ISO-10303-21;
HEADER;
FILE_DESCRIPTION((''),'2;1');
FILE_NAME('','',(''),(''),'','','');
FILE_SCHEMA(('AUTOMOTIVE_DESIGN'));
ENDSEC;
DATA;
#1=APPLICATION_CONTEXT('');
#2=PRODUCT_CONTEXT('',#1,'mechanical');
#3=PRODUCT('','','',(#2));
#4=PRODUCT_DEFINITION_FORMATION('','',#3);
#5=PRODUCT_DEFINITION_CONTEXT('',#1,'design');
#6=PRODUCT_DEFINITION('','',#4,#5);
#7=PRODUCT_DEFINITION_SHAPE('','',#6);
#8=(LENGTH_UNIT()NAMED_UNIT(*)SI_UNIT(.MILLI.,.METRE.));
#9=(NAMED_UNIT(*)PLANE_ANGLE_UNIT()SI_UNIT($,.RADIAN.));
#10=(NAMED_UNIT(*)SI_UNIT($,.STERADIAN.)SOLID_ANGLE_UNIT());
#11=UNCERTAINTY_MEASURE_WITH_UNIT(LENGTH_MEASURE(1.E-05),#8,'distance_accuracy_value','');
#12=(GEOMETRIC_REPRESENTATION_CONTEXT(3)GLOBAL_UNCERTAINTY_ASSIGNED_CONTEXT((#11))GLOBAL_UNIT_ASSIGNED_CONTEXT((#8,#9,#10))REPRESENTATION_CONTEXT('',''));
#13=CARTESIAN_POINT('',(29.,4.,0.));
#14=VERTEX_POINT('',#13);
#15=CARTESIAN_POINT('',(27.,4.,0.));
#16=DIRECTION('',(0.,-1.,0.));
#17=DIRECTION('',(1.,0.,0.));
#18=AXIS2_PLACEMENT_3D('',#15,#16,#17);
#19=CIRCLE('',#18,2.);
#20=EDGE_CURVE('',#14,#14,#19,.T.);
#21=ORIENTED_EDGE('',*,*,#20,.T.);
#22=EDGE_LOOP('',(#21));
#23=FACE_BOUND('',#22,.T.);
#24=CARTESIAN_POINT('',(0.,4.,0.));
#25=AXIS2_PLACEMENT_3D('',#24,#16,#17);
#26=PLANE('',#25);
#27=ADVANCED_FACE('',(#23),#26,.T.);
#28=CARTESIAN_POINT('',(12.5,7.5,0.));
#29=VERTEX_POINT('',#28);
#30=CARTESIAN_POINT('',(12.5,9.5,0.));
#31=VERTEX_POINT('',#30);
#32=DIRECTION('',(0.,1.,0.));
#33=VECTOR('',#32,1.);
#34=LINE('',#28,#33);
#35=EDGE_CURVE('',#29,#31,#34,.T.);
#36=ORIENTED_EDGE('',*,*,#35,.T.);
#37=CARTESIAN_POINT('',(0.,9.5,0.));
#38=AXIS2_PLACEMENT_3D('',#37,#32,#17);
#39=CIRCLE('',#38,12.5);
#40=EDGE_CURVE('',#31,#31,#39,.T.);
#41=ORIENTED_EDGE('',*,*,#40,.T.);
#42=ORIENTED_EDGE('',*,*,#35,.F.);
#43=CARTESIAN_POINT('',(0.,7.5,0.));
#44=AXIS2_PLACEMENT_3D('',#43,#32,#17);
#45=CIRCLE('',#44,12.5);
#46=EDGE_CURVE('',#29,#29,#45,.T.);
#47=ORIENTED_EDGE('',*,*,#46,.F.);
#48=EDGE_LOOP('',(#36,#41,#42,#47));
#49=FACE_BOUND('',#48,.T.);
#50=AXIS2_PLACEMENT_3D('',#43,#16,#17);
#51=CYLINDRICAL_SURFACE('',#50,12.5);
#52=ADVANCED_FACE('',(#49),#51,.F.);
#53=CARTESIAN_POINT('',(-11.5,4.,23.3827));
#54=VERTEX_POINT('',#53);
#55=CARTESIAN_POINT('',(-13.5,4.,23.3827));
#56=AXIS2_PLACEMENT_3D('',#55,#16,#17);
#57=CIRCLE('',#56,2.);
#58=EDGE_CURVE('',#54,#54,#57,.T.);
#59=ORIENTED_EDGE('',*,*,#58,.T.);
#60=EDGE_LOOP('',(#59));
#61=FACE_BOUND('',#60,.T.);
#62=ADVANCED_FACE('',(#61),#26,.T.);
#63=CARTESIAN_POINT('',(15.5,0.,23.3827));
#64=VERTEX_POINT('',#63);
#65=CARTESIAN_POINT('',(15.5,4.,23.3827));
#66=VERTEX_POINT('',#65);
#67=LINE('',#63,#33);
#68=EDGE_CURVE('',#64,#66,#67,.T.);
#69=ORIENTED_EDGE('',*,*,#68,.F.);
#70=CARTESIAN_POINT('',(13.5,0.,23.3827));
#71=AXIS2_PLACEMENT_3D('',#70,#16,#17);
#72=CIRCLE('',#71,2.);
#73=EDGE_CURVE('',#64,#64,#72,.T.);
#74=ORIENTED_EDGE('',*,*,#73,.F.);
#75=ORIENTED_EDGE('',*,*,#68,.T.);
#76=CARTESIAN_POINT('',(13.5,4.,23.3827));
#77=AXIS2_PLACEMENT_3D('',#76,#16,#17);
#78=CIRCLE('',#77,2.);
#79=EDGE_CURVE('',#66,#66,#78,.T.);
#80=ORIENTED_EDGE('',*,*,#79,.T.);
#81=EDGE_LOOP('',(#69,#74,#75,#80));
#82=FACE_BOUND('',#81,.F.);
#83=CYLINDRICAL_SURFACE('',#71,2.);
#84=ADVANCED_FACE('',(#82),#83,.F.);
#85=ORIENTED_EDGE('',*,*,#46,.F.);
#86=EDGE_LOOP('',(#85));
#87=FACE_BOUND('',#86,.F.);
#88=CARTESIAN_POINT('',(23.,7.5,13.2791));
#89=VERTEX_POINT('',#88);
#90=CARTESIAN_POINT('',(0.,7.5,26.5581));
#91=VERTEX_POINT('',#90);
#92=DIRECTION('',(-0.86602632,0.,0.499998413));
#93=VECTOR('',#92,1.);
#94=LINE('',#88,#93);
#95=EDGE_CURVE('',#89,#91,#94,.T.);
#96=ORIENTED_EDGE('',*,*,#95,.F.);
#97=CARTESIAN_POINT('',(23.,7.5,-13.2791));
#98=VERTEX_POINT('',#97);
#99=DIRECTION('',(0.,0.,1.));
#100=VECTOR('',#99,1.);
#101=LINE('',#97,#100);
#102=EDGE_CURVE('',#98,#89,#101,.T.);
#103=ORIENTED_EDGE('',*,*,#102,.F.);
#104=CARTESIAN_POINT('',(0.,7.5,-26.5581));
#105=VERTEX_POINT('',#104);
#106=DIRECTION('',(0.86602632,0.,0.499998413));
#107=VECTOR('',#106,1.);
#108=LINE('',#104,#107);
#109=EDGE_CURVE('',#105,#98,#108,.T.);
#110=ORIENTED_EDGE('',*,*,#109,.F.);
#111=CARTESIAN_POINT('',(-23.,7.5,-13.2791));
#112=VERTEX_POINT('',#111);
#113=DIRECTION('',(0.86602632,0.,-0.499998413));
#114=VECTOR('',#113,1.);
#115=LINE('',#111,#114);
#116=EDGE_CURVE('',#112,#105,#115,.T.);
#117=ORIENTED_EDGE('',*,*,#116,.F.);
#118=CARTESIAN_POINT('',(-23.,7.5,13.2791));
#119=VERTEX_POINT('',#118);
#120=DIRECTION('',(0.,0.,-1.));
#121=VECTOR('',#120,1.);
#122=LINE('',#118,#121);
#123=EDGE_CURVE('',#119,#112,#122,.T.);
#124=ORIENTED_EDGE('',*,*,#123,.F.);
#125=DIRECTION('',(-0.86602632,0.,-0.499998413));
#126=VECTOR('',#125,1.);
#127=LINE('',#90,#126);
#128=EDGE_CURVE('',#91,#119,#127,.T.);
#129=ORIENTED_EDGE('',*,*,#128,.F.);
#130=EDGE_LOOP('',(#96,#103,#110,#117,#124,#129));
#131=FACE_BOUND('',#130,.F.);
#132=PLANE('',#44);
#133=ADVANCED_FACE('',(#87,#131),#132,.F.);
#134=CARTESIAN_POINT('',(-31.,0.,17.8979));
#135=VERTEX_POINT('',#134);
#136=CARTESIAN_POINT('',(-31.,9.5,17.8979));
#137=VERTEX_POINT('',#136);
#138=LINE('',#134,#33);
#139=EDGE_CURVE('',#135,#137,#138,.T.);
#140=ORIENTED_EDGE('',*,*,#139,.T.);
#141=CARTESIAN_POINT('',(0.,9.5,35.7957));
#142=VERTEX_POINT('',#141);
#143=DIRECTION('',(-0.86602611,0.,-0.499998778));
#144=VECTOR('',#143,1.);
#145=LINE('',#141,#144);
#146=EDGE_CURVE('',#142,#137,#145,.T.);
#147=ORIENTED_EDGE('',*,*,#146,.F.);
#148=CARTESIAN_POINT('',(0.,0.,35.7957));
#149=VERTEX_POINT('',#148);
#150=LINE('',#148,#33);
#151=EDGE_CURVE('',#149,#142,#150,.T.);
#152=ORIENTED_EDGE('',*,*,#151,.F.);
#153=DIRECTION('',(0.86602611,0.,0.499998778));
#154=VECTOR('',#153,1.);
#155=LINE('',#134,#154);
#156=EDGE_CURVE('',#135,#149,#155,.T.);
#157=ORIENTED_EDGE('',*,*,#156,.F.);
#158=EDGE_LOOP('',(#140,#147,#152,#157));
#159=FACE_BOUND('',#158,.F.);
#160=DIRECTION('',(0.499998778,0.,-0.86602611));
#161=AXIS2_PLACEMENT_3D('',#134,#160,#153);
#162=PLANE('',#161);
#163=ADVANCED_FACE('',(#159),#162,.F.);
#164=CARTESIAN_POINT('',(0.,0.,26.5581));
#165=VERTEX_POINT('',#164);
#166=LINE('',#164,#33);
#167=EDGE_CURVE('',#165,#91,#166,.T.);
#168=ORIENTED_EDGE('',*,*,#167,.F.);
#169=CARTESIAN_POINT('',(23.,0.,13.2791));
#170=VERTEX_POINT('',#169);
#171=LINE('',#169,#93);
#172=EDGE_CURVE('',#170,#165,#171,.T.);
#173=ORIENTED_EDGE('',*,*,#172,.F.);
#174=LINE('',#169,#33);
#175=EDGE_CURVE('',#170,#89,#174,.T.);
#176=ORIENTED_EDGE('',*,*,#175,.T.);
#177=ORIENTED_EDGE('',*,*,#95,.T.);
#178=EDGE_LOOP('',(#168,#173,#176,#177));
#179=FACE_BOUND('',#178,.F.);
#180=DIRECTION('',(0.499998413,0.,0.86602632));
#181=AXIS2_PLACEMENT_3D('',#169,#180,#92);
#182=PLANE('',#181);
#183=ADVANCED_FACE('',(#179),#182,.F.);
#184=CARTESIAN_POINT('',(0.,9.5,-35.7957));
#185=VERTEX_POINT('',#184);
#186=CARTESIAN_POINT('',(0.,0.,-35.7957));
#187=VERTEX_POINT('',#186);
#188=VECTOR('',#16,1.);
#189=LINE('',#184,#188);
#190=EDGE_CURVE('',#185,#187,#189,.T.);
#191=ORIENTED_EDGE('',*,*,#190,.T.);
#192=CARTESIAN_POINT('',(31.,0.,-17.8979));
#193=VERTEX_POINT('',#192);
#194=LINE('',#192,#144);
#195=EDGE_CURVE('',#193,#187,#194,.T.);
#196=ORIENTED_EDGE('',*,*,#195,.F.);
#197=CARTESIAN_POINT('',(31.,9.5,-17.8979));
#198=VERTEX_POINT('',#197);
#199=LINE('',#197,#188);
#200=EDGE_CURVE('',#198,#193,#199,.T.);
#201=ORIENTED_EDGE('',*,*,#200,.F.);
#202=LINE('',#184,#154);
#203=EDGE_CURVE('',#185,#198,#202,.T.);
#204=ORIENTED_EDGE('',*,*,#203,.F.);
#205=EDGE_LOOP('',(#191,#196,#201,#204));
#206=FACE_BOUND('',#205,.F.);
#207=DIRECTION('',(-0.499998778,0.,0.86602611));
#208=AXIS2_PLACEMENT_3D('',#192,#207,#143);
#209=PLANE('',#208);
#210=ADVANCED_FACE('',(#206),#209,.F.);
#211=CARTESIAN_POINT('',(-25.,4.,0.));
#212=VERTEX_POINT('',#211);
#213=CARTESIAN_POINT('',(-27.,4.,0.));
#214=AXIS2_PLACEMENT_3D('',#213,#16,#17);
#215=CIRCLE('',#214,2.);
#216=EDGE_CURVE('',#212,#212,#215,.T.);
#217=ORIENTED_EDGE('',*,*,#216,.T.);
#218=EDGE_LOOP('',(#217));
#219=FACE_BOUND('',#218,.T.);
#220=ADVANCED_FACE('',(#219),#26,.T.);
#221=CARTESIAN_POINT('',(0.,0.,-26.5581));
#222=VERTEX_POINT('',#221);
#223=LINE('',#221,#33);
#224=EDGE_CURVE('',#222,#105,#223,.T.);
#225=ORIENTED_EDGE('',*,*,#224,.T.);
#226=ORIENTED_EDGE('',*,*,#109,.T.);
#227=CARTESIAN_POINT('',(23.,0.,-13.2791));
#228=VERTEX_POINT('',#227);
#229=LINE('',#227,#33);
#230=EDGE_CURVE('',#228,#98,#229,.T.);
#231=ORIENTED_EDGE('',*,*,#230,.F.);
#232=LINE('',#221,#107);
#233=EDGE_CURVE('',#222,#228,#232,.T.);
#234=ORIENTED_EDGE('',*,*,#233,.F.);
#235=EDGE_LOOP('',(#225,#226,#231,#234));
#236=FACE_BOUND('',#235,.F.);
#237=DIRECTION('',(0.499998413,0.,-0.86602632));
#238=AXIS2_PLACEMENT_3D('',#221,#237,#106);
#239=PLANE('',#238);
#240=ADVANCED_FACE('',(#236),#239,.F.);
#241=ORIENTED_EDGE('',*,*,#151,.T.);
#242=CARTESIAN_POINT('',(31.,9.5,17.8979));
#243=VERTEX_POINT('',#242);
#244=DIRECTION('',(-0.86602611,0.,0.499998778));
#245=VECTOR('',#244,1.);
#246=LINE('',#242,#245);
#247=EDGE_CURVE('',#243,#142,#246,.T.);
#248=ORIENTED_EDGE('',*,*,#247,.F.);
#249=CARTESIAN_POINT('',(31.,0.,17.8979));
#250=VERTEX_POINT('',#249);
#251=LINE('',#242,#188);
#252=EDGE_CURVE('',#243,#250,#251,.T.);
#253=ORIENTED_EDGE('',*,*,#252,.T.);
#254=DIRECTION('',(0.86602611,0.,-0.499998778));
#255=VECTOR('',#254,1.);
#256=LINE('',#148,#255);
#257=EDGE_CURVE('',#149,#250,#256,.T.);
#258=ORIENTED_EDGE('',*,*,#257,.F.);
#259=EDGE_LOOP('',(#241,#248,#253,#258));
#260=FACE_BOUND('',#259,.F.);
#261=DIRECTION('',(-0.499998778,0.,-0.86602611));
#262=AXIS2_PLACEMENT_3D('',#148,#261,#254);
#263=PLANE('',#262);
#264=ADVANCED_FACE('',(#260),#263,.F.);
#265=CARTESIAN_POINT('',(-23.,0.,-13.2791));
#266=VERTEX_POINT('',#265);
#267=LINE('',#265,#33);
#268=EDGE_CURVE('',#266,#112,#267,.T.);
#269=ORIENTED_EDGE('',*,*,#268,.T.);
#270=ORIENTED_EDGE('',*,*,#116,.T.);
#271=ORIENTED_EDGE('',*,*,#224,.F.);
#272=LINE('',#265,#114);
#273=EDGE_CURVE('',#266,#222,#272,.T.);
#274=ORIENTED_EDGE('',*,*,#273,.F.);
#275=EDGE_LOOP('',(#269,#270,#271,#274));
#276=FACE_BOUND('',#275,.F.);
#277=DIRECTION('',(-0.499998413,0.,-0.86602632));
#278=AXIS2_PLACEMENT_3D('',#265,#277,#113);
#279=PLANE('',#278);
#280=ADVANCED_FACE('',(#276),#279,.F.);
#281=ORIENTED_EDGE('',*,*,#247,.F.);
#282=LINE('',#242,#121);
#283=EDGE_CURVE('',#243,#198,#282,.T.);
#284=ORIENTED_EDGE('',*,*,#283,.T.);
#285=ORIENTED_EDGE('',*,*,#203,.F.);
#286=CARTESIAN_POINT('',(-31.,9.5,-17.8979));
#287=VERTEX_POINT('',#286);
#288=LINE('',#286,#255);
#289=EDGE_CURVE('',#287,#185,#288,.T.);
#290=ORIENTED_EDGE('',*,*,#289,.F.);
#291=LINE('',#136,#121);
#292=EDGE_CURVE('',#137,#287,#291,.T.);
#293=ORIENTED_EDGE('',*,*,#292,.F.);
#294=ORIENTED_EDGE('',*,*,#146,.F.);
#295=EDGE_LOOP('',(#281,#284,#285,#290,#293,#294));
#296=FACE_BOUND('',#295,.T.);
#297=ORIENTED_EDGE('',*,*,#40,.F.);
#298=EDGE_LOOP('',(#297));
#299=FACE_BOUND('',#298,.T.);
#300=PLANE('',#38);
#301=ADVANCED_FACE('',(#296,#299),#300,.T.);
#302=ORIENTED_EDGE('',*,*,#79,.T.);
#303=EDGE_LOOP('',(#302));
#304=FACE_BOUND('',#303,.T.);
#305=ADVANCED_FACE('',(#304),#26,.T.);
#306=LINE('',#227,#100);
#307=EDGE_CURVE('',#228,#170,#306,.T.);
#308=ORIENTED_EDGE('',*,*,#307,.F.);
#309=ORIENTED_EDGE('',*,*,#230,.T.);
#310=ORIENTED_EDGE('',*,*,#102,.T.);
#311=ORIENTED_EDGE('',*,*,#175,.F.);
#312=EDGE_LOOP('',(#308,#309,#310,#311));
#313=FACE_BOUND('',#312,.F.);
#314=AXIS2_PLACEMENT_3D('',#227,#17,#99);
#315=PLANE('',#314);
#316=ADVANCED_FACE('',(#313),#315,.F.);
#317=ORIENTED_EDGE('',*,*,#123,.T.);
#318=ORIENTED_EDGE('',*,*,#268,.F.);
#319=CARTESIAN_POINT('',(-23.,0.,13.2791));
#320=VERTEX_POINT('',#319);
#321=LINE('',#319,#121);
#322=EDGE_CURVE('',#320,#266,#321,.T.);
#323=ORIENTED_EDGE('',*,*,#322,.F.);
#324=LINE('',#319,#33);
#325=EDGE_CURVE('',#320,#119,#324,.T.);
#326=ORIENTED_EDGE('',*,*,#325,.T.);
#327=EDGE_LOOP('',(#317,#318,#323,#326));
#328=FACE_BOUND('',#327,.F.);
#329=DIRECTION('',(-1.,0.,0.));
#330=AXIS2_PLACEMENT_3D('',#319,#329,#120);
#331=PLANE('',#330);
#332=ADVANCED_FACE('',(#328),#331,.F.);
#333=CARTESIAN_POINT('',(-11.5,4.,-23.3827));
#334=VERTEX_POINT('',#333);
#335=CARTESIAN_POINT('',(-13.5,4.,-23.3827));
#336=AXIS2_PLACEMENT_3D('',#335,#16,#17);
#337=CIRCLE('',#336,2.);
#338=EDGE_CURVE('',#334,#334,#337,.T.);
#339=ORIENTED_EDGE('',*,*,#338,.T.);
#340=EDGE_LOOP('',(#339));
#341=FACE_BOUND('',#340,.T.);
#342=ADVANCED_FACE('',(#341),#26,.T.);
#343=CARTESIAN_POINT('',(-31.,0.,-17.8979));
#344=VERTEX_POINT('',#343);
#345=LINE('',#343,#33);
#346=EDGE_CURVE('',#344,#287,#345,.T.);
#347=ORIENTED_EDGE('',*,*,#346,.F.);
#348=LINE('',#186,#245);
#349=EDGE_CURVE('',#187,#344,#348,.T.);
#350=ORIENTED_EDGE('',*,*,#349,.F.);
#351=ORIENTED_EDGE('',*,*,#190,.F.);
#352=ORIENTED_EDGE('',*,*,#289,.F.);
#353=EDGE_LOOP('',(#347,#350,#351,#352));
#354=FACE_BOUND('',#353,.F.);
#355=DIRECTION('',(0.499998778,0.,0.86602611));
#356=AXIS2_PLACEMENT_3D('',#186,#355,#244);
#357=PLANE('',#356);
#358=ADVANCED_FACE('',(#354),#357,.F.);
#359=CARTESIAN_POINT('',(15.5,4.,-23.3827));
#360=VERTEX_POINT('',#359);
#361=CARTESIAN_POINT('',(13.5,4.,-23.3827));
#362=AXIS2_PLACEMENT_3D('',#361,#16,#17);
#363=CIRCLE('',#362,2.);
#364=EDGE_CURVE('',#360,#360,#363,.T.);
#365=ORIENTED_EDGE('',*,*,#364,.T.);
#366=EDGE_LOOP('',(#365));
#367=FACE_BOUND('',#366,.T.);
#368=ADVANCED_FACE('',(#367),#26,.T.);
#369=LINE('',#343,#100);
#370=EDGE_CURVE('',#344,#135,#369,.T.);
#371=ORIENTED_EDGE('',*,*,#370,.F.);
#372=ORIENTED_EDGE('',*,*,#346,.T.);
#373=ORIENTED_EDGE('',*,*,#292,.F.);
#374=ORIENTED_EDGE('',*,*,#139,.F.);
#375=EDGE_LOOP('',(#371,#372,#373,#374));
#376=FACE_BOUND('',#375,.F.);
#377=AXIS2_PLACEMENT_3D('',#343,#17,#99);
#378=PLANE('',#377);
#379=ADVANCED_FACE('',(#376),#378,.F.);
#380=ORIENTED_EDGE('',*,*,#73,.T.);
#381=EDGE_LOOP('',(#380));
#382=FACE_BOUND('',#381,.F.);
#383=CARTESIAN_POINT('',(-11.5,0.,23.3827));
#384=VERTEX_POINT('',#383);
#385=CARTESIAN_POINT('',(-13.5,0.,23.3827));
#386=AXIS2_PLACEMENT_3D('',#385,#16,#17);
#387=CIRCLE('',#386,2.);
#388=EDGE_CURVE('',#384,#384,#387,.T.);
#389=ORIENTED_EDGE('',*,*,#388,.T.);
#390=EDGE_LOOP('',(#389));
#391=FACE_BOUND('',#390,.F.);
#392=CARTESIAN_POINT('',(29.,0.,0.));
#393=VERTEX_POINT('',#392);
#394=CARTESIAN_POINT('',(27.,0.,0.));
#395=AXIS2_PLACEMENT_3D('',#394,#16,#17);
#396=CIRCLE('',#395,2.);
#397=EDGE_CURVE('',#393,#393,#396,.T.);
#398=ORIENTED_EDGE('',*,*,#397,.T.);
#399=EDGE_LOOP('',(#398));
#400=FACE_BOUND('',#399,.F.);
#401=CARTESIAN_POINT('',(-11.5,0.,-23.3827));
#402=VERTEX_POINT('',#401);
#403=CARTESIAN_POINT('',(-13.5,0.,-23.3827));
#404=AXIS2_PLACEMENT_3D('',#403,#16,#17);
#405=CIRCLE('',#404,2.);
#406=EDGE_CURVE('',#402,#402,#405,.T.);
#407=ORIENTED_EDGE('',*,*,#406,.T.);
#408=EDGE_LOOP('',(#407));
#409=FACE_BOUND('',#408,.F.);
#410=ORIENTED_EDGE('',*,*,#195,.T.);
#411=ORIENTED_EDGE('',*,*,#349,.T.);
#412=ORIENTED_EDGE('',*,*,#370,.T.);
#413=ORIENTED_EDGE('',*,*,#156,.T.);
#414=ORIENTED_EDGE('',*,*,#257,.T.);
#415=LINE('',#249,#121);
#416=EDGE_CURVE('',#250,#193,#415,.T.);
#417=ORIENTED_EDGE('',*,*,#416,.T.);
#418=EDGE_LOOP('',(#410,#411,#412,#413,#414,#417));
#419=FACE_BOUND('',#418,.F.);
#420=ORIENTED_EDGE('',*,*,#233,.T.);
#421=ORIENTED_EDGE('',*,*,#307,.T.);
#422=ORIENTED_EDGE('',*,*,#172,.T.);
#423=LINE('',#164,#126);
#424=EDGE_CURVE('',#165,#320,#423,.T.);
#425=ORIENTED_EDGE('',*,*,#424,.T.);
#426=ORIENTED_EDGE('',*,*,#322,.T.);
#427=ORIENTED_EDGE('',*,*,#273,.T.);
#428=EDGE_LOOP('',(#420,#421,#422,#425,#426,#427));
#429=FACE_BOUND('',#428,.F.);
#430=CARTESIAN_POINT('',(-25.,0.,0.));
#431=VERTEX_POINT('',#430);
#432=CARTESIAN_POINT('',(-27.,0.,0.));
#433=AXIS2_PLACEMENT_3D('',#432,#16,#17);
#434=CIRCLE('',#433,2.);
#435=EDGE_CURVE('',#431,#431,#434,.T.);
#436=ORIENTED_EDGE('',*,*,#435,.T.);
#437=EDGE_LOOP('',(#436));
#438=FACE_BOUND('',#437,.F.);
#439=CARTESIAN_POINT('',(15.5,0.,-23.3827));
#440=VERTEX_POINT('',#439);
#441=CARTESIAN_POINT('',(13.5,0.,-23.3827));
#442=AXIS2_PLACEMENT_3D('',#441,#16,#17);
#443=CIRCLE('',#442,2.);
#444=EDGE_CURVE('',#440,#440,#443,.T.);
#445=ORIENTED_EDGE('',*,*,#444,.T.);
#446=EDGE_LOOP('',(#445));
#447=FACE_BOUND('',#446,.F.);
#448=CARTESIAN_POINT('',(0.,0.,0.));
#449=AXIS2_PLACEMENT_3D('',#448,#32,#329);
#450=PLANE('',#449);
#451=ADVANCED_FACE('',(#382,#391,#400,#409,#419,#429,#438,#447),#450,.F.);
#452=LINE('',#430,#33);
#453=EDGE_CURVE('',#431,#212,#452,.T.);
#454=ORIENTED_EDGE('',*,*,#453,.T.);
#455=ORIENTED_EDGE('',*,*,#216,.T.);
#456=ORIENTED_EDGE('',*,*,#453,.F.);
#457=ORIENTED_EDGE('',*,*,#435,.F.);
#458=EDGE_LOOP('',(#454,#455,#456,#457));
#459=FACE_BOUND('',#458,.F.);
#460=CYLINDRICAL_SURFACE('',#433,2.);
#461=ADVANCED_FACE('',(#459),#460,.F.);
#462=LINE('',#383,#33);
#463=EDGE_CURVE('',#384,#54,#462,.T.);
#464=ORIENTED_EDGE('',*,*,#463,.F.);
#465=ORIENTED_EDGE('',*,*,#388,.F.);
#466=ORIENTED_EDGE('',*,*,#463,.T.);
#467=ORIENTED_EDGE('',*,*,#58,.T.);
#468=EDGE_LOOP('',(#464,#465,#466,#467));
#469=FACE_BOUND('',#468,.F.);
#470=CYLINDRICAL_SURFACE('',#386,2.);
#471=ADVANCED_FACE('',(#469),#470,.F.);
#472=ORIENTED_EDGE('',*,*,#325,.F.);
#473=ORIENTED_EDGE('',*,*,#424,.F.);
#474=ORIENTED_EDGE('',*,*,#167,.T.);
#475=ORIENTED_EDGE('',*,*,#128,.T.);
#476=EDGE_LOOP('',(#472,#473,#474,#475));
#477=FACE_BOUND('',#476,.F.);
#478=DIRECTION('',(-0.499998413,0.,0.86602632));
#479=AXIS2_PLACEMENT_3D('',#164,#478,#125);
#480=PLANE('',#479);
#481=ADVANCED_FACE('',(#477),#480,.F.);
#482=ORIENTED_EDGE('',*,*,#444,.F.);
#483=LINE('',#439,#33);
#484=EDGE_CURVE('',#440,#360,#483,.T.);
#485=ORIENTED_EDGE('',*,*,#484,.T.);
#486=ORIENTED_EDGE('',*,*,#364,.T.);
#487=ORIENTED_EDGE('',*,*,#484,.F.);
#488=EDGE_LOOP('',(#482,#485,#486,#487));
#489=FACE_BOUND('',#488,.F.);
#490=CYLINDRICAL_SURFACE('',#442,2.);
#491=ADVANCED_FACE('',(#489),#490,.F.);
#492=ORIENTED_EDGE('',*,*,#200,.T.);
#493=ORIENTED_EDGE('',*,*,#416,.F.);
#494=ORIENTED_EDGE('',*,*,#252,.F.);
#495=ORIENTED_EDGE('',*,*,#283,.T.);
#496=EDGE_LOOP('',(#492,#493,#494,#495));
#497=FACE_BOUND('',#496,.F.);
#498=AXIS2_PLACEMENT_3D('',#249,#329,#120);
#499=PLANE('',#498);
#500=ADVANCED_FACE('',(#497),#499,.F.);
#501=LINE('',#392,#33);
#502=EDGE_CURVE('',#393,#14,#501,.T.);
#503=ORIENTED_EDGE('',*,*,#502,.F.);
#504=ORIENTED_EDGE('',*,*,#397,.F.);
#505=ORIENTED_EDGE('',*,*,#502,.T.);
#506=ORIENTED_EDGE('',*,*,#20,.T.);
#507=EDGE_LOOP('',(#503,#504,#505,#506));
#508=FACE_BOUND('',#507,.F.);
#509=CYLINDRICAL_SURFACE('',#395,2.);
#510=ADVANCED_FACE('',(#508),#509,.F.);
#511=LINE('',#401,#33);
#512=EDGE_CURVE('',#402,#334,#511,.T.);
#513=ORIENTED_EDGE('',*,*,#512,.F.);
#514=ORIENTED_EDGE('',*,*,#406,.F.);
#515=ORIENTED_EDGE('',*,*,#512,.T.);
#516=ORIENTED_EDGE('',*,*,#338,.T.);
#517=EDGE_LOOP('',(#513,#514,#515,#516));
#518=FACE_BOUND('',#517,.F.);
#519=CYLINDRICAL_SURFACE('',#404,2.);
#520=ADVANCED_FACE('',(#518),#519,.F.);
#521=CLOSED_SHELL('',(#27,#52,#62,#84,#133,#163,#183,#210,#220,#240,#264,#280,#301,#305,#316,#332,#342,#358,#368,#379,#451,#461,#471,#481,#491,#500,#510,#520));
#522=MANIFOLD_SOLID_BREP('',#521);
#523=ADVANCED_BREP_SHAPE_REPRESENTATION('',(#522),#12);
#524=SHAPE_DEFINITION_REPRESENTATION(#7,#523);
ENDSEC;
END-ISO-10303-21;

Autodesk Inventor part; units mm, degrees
ref_plane "YZ Plane" through (0, 0, 0) normal (1, 0, 0) x (0, 1, 0)
ref_plane "XZ Plane" through (0, 0, 0) normal (0, 1, 0) x (-1, 0, 0)
ref_plane "XY Plane" through (0, 0, 0) normal (0, 0, 1) x (1, 0, 0)
sketch "Эскиз1" plane through (0, 0, 0) normal (0, 1, 0) x (-1, 0, 0)
  line L0 (-23, 13.2791) -> (0, 26.5581)
  line L1 (0, 26.5581) -> (23, 13.2791)
  line L2 (23, 13.2791) -> (23, -13.2791)
  line L3 (23, -13.2791) -> (0, -26.5581)
  line L4 (0, -26.5581) -> (-23, -13.2791)
  line L5 (-23, -13.2791) -> (-23, 13.2791)
  line L6 (0, 0) -> (15.979, 0)
  line L7 (0, 0) -> (15.979, 0) construction
  line L8 (31, -17.8979) -> (31, 17.8979)
  line L9 (31, 17.8979) -> (0, 35.7957)
  line L10 (0, 35.7957) -> (-31, 17.8979)
  line L11 (-31, 17.8979) -> (-31, -17.8979)
  line L12 (-31, -17.8979) -> (0, -35.7957)
  line L13 (0, -35.7957) -> (31, -17.8979)
  dimension "d2" = 46
  dimension "d3" = 8
extrude "Выдавливание1" add sketch "Эскиз1" along normal blind 7.5
sketch "Эскиз2" plane through (0, 7.5, 0) normal (0, 1, 0) x (1, 0, 0)
  line L0 (31, -17.8979) -> (31, 17.8979) projected
  line L1 (31, 17.8979) -> (31, -17.8979)
  line L2 (31, -17.8979) -> (0, -35.7957)
  line L3 (0, -35.7957) -> (-31, -17.8979)
  line L4 (-31, -17.8979) -> (-31, 17.8979)
  line L5 (-31, 17.8979) -> (0, 35.7957)
  line L6 (0, 35.7957) -> (31, 17.8979)
  circle A0 centre (0, 0) radius 12.5
  point P0 (31, -17.8979)
  dimension "d6" = 25
extrude "Выдавливание2" add sketch "Эскиз2" along normal blind 2
sketch "Эскиз3" plane through (0, 0, 0) normal (0, -1, 0) x (1, 0, 0)
  line L0 (0, 35.7957) -> (31, 17.8979) construction
  line L1 (15.5, 26.8468) -> (11.5, 19.9186) construction
  line L2 (23, 13.2791) -> (0, 26.5581) construction
  circle A0 centre (13.5, 23.3827) radius 2
  circle A1 centre (0, 0) radius 27 construction
  circle A2 centre (-13.5, 23.3827) radius 2
  circle A3 centre (-27, 0) radius 2
  circle A4 centre (-13.5, -23.3827) radius 2
  circle A5 centre (13.5, -23.3827) radius 2
  circle A6 centre (27, 0) radius 2
  dimension "d9" = 4
  dimension "d12" = 360
extrude "Выдавливание3" cut sketch "Эскиз3" against normal blind 4
properties part number "держатель"
